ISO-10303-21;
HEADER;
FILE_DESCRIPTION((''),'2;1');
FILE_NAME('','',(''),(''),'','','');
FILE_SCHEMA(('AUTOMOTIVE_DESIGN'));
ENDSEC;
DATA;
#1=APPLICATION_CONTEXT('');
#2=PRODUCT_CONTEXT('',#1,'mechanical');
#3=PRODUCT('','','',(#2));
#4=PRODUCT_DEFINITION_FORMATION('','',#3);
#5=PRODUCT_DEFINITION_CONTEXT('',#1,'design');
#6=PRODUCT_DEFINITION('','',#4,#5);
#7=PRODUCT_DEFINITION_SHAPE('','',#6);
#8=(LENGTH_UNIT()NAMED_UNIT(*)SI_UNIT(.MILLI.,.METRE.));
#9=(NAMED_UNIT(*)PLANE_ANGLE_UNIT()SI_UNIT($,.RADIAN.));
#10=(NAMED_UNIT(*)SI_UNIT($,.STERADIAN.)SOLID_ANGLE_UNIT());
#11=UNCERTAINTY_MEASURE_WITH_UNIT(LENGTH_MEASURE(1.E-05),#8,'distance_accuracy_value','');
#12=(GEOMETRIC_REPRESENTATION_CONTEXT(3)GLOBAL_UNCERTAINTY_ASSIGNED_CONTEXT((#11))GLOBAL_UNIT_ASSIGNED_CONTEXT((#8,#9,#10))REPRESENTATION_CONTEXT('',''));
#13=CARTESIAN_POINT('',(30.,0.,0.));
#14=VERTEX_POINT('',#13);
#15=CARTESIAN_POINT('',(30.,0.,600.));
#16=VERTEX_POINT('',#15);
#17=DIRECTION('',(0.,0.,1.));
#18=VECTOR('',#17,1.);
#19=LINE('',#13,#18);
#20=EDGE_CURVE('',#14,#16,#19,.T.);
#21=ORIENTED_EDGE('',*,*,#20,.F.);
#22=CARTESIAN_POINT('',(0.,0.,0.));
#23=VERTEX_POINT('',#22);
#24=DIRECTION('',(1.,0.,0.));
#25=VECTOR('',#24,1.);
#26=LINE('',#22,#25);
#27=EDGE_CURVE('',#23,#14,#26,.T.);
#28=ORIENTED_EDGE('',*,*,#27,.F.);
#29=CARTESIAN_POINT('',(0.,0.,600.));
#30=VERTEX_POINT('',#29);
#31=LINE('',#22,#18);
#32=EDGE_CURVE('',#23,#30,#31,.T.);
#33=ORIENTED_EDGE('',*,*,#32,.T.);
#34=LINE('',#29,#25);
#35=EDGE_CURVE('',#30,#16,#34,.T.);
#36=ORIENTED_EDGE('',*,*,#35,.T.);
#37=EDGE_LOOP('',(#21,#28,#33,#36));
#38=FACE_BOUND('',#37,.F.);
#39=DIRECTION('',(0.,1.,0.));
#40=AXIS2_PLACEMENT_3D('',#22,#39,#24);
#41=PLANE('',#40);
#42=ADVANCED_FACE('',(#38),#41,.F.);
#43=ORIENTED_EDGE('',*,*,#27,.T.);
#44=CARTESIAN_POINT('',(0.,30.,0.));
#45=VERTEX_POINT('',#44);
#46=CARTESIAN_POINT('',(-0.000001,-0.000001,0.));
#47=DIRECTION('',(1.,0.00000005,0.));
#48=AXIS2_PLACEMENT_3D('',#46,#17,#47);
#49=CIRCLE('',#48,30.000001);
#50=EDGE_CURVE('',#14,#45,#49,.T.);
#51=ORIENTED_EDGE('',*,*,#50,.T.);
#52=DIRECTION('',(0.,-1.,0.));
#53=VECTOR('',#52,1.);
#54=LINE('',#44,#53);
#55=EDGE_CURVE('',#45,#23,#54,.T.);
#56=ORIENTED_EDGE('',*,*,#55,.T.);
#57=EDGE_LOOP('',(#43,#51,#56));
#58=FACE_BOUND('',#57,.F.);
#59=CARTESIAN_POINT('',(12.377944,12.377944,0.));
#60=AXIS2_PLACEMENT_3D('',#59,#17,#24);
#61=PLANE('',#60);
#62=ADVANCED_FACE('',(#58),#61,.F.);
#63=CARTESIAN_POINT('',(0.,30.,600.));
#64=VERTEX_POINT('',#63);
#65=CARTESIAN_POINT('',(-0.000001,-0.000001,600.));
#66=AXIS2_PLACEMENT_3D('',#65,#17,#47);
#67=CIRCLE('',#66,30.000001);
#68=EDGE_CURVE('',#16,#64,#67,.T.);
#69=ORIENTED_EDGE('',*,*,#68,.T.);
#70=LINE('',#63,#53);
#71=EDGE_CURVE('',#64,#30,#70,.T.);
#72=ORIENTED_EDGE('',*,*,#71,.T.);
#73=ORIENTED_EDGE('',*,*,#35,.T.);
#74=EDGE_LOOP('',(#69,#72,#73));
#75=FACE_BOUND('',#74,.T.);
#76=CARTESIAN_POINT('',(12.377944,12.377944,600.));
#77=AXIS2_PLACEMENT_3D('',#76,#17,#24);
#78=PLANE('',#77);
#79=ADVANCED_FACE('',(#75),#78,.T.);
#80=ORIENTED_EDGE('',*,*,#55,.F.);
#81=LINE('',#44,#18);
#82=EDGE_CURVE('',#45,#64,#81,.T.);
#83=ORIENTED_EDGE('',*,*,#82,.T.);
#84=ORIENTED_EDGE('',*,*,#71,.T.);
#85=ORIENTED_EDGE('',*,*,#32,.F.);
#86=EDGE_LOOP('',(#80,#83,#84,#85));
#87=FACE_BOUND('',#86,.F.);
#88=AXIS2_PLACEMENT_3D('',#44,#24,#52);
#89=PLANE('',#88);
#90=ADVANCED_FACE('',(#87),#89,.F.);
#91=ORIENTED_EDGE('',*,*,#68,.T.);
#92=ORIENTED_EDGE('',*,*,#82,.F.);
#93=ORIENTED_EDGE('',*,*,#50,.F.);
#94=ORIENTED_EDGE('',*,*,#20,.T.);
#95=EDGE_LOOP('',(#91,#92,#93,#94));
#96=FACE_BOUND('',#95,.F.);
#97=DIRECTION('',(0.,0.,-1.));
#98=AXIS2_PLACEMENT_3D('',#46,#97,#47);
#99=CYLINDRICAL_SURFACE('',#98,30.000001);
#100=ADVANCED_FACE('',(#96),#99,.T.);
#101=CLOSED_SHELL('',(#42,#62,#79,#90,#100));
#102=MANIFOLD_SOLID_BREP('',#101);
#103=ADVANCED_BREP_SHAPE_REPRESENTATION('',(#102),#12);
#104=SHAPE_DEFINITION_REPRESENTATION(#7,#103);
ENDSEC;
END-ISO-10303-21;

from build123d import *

# Parameters (mm, degrees)
PAD001_DEPTH = 600


with BuildPart() as part:
    # Sketch001 → Pad001 (new body)
    with BuildSketch(Plane.XY):
        with BuildLine():
            ThreePointArc((30, 0), (21.213203, 21.213203), (0, 30))
            Line((0, 30), (0, 0))
            Line((0, 0), (30, 0))
        make_face()
    extrude(amount=PAD001_DEPTH)


solid = part.part
